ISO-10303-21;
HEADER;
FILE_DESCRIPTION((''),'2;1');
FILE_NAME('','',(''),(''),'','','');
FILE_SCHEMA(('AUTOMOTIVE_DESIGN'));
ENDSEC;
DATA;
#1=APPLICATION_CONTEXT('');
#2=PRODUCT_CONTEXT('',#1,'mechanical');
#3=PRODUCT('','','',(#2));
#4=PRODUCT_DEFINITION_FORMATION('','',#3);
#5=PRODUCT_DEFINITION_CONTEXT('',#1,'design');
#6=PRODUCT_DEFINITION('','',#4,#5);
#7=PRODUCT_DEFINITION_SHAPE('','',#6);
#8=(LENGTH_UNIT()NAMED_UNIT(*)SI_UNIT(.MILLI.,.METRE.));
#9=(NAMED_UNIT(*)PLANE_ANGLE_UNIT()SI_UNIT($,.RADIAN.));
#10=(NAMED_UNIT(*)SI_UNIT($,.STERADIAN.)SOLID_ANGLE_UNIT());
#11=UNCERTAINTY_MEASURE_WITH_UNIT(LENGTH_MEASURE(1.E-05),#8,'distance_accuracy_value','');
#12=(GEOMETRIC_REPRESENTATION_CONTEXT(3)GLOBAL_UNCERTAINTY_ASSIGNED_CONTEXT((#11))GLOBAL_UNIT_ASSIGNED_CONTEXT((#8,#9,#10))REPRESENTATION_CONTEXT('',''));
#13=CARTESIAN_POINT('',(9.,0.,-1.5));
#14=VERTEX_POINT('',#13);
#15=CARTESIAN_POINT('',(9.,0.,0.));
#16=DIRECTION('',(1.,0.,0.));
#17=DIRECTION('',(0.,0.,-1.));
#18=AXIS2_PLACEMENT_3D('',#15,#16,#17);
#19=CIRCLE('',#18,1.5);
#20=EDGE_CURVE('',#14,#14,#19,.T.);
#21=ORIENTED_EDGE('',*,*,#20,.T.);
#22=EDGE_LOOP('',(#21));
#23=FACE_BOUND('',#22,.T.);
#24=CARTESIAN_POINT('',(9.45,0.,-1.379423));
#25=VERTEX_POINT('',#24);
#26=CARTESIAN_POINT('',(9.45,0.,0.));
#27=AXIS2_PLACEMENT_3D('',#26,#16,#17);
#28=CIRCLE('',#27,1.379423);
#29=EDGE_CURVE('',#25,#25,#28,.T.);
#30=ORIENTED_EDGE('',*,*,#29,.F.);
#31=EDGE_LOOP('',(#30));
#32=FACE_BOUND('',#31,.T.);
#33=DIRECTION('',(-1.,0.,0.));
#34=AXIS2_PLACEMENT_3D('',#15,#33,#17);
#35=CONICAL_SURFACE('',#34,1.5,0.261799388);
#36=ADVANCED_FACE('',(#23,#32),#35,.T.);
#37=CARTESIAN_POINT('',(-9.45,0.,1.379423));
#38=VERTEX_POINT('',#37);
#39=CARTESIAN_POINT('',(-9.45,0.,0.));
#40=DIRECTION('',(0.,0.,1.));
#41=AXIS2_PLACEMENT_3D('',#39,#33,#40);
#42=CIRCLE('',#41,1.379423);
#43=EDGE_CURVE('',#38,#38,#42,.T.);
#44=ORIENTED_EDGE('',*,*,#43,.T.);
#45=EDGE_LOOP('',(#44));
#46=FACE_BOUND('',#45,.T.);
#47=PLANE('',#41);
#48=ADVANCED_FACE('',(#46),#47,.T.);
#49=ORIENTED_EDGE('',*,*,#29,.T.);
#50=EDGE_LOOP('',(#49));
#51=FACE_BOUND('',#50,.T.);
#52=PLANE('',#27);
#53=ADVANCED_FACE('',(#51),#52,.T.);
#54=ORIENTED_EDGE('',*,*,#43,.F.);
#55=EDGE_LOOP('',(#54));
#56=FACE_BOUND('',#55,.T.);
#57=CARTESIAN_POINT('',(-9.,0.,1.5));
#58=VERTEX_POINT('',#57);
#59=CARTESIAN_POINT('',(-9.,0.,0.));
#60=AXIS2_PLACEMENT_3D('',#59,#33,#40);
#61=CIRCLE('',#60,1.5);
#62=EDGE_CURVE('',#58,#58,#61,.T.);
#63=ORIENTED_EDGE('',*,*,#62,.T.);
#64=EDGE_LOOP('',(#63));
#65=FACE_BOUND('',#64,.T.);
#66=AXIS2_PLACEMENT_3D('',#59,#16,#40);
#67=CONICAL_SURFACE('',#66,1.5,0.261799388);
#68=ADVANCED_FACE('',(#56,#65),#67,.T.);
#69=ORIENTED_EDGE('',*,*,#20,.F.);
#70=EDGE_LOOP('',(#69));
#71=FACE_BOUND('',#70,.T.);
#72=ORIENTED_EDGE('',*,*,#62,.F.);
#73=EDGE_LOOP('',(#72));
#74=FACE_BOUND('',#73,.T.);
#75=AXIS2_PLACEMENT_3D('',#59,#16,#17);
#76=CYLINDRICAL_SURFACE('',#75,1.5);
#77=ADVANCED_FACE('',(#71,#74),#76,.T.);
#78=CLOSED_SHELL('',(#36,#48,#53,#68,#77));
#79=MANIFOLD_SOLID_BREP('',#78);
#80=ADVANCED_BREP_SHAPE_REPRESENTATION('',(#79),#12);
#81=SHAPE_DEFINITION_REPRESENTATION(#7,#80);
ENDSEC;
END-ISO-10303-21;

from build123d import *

# Parameters (mm, degrees)
EXTRUDE1_DEPTH      = 9
EXTRUDE1_DEPTH_BACK = 9
SKETCH2_R           = 1.5
SKETCH3_R           = 1.5
EXTRUDE2_DEPTH      = 0.45
EXTRUDE2_TAPER      = 15
SKETCH4_R           = 1.5
EXTRUDE3_DEPTH      = 0.45
EXTRUDE3_TAPER      = 15


with BuildPart() as part:
    # Sketch2 → Extrude1 (new, two sides: drawn at the far end of the back side and taken through both)
    with BuildSketch(Plane(origin=(0, 0, 0), x_dir=(0, 0, -1), z_dir=(1, 0, 0)).offset(-EXTRUDE1_DEPTH_BACK)):
        Circle(SKETCH2_R)
    extrude(amount=EXTRUDE1_DEPTH + EXTRUDE1_DEPTH_BACK)

    # Sketch3 → Extrude2 (add)
    with BuildSketch(Plane(origin=(9, 0, 0), x_dir=(0, 0, -1), z_dir=(1, 0, 0))):
        Circle(SKETCH3_R)
    extrude(amount=EXTRUDE2_DEPTH, taper=EXTRUDE2_TAPER)

    # Sketch4 → Extrude3 (add)
    with BuildSketch(Plane.ZY.offset(9)):
        with Locations(Location((0, 0, 0), (0, 0, 180))):
            Circle(SKETCH4_R)
    extrude(amount=EXTRUDE3_DEPTH, taper=EXTRUDE3_TAPER)


solid = part.part
